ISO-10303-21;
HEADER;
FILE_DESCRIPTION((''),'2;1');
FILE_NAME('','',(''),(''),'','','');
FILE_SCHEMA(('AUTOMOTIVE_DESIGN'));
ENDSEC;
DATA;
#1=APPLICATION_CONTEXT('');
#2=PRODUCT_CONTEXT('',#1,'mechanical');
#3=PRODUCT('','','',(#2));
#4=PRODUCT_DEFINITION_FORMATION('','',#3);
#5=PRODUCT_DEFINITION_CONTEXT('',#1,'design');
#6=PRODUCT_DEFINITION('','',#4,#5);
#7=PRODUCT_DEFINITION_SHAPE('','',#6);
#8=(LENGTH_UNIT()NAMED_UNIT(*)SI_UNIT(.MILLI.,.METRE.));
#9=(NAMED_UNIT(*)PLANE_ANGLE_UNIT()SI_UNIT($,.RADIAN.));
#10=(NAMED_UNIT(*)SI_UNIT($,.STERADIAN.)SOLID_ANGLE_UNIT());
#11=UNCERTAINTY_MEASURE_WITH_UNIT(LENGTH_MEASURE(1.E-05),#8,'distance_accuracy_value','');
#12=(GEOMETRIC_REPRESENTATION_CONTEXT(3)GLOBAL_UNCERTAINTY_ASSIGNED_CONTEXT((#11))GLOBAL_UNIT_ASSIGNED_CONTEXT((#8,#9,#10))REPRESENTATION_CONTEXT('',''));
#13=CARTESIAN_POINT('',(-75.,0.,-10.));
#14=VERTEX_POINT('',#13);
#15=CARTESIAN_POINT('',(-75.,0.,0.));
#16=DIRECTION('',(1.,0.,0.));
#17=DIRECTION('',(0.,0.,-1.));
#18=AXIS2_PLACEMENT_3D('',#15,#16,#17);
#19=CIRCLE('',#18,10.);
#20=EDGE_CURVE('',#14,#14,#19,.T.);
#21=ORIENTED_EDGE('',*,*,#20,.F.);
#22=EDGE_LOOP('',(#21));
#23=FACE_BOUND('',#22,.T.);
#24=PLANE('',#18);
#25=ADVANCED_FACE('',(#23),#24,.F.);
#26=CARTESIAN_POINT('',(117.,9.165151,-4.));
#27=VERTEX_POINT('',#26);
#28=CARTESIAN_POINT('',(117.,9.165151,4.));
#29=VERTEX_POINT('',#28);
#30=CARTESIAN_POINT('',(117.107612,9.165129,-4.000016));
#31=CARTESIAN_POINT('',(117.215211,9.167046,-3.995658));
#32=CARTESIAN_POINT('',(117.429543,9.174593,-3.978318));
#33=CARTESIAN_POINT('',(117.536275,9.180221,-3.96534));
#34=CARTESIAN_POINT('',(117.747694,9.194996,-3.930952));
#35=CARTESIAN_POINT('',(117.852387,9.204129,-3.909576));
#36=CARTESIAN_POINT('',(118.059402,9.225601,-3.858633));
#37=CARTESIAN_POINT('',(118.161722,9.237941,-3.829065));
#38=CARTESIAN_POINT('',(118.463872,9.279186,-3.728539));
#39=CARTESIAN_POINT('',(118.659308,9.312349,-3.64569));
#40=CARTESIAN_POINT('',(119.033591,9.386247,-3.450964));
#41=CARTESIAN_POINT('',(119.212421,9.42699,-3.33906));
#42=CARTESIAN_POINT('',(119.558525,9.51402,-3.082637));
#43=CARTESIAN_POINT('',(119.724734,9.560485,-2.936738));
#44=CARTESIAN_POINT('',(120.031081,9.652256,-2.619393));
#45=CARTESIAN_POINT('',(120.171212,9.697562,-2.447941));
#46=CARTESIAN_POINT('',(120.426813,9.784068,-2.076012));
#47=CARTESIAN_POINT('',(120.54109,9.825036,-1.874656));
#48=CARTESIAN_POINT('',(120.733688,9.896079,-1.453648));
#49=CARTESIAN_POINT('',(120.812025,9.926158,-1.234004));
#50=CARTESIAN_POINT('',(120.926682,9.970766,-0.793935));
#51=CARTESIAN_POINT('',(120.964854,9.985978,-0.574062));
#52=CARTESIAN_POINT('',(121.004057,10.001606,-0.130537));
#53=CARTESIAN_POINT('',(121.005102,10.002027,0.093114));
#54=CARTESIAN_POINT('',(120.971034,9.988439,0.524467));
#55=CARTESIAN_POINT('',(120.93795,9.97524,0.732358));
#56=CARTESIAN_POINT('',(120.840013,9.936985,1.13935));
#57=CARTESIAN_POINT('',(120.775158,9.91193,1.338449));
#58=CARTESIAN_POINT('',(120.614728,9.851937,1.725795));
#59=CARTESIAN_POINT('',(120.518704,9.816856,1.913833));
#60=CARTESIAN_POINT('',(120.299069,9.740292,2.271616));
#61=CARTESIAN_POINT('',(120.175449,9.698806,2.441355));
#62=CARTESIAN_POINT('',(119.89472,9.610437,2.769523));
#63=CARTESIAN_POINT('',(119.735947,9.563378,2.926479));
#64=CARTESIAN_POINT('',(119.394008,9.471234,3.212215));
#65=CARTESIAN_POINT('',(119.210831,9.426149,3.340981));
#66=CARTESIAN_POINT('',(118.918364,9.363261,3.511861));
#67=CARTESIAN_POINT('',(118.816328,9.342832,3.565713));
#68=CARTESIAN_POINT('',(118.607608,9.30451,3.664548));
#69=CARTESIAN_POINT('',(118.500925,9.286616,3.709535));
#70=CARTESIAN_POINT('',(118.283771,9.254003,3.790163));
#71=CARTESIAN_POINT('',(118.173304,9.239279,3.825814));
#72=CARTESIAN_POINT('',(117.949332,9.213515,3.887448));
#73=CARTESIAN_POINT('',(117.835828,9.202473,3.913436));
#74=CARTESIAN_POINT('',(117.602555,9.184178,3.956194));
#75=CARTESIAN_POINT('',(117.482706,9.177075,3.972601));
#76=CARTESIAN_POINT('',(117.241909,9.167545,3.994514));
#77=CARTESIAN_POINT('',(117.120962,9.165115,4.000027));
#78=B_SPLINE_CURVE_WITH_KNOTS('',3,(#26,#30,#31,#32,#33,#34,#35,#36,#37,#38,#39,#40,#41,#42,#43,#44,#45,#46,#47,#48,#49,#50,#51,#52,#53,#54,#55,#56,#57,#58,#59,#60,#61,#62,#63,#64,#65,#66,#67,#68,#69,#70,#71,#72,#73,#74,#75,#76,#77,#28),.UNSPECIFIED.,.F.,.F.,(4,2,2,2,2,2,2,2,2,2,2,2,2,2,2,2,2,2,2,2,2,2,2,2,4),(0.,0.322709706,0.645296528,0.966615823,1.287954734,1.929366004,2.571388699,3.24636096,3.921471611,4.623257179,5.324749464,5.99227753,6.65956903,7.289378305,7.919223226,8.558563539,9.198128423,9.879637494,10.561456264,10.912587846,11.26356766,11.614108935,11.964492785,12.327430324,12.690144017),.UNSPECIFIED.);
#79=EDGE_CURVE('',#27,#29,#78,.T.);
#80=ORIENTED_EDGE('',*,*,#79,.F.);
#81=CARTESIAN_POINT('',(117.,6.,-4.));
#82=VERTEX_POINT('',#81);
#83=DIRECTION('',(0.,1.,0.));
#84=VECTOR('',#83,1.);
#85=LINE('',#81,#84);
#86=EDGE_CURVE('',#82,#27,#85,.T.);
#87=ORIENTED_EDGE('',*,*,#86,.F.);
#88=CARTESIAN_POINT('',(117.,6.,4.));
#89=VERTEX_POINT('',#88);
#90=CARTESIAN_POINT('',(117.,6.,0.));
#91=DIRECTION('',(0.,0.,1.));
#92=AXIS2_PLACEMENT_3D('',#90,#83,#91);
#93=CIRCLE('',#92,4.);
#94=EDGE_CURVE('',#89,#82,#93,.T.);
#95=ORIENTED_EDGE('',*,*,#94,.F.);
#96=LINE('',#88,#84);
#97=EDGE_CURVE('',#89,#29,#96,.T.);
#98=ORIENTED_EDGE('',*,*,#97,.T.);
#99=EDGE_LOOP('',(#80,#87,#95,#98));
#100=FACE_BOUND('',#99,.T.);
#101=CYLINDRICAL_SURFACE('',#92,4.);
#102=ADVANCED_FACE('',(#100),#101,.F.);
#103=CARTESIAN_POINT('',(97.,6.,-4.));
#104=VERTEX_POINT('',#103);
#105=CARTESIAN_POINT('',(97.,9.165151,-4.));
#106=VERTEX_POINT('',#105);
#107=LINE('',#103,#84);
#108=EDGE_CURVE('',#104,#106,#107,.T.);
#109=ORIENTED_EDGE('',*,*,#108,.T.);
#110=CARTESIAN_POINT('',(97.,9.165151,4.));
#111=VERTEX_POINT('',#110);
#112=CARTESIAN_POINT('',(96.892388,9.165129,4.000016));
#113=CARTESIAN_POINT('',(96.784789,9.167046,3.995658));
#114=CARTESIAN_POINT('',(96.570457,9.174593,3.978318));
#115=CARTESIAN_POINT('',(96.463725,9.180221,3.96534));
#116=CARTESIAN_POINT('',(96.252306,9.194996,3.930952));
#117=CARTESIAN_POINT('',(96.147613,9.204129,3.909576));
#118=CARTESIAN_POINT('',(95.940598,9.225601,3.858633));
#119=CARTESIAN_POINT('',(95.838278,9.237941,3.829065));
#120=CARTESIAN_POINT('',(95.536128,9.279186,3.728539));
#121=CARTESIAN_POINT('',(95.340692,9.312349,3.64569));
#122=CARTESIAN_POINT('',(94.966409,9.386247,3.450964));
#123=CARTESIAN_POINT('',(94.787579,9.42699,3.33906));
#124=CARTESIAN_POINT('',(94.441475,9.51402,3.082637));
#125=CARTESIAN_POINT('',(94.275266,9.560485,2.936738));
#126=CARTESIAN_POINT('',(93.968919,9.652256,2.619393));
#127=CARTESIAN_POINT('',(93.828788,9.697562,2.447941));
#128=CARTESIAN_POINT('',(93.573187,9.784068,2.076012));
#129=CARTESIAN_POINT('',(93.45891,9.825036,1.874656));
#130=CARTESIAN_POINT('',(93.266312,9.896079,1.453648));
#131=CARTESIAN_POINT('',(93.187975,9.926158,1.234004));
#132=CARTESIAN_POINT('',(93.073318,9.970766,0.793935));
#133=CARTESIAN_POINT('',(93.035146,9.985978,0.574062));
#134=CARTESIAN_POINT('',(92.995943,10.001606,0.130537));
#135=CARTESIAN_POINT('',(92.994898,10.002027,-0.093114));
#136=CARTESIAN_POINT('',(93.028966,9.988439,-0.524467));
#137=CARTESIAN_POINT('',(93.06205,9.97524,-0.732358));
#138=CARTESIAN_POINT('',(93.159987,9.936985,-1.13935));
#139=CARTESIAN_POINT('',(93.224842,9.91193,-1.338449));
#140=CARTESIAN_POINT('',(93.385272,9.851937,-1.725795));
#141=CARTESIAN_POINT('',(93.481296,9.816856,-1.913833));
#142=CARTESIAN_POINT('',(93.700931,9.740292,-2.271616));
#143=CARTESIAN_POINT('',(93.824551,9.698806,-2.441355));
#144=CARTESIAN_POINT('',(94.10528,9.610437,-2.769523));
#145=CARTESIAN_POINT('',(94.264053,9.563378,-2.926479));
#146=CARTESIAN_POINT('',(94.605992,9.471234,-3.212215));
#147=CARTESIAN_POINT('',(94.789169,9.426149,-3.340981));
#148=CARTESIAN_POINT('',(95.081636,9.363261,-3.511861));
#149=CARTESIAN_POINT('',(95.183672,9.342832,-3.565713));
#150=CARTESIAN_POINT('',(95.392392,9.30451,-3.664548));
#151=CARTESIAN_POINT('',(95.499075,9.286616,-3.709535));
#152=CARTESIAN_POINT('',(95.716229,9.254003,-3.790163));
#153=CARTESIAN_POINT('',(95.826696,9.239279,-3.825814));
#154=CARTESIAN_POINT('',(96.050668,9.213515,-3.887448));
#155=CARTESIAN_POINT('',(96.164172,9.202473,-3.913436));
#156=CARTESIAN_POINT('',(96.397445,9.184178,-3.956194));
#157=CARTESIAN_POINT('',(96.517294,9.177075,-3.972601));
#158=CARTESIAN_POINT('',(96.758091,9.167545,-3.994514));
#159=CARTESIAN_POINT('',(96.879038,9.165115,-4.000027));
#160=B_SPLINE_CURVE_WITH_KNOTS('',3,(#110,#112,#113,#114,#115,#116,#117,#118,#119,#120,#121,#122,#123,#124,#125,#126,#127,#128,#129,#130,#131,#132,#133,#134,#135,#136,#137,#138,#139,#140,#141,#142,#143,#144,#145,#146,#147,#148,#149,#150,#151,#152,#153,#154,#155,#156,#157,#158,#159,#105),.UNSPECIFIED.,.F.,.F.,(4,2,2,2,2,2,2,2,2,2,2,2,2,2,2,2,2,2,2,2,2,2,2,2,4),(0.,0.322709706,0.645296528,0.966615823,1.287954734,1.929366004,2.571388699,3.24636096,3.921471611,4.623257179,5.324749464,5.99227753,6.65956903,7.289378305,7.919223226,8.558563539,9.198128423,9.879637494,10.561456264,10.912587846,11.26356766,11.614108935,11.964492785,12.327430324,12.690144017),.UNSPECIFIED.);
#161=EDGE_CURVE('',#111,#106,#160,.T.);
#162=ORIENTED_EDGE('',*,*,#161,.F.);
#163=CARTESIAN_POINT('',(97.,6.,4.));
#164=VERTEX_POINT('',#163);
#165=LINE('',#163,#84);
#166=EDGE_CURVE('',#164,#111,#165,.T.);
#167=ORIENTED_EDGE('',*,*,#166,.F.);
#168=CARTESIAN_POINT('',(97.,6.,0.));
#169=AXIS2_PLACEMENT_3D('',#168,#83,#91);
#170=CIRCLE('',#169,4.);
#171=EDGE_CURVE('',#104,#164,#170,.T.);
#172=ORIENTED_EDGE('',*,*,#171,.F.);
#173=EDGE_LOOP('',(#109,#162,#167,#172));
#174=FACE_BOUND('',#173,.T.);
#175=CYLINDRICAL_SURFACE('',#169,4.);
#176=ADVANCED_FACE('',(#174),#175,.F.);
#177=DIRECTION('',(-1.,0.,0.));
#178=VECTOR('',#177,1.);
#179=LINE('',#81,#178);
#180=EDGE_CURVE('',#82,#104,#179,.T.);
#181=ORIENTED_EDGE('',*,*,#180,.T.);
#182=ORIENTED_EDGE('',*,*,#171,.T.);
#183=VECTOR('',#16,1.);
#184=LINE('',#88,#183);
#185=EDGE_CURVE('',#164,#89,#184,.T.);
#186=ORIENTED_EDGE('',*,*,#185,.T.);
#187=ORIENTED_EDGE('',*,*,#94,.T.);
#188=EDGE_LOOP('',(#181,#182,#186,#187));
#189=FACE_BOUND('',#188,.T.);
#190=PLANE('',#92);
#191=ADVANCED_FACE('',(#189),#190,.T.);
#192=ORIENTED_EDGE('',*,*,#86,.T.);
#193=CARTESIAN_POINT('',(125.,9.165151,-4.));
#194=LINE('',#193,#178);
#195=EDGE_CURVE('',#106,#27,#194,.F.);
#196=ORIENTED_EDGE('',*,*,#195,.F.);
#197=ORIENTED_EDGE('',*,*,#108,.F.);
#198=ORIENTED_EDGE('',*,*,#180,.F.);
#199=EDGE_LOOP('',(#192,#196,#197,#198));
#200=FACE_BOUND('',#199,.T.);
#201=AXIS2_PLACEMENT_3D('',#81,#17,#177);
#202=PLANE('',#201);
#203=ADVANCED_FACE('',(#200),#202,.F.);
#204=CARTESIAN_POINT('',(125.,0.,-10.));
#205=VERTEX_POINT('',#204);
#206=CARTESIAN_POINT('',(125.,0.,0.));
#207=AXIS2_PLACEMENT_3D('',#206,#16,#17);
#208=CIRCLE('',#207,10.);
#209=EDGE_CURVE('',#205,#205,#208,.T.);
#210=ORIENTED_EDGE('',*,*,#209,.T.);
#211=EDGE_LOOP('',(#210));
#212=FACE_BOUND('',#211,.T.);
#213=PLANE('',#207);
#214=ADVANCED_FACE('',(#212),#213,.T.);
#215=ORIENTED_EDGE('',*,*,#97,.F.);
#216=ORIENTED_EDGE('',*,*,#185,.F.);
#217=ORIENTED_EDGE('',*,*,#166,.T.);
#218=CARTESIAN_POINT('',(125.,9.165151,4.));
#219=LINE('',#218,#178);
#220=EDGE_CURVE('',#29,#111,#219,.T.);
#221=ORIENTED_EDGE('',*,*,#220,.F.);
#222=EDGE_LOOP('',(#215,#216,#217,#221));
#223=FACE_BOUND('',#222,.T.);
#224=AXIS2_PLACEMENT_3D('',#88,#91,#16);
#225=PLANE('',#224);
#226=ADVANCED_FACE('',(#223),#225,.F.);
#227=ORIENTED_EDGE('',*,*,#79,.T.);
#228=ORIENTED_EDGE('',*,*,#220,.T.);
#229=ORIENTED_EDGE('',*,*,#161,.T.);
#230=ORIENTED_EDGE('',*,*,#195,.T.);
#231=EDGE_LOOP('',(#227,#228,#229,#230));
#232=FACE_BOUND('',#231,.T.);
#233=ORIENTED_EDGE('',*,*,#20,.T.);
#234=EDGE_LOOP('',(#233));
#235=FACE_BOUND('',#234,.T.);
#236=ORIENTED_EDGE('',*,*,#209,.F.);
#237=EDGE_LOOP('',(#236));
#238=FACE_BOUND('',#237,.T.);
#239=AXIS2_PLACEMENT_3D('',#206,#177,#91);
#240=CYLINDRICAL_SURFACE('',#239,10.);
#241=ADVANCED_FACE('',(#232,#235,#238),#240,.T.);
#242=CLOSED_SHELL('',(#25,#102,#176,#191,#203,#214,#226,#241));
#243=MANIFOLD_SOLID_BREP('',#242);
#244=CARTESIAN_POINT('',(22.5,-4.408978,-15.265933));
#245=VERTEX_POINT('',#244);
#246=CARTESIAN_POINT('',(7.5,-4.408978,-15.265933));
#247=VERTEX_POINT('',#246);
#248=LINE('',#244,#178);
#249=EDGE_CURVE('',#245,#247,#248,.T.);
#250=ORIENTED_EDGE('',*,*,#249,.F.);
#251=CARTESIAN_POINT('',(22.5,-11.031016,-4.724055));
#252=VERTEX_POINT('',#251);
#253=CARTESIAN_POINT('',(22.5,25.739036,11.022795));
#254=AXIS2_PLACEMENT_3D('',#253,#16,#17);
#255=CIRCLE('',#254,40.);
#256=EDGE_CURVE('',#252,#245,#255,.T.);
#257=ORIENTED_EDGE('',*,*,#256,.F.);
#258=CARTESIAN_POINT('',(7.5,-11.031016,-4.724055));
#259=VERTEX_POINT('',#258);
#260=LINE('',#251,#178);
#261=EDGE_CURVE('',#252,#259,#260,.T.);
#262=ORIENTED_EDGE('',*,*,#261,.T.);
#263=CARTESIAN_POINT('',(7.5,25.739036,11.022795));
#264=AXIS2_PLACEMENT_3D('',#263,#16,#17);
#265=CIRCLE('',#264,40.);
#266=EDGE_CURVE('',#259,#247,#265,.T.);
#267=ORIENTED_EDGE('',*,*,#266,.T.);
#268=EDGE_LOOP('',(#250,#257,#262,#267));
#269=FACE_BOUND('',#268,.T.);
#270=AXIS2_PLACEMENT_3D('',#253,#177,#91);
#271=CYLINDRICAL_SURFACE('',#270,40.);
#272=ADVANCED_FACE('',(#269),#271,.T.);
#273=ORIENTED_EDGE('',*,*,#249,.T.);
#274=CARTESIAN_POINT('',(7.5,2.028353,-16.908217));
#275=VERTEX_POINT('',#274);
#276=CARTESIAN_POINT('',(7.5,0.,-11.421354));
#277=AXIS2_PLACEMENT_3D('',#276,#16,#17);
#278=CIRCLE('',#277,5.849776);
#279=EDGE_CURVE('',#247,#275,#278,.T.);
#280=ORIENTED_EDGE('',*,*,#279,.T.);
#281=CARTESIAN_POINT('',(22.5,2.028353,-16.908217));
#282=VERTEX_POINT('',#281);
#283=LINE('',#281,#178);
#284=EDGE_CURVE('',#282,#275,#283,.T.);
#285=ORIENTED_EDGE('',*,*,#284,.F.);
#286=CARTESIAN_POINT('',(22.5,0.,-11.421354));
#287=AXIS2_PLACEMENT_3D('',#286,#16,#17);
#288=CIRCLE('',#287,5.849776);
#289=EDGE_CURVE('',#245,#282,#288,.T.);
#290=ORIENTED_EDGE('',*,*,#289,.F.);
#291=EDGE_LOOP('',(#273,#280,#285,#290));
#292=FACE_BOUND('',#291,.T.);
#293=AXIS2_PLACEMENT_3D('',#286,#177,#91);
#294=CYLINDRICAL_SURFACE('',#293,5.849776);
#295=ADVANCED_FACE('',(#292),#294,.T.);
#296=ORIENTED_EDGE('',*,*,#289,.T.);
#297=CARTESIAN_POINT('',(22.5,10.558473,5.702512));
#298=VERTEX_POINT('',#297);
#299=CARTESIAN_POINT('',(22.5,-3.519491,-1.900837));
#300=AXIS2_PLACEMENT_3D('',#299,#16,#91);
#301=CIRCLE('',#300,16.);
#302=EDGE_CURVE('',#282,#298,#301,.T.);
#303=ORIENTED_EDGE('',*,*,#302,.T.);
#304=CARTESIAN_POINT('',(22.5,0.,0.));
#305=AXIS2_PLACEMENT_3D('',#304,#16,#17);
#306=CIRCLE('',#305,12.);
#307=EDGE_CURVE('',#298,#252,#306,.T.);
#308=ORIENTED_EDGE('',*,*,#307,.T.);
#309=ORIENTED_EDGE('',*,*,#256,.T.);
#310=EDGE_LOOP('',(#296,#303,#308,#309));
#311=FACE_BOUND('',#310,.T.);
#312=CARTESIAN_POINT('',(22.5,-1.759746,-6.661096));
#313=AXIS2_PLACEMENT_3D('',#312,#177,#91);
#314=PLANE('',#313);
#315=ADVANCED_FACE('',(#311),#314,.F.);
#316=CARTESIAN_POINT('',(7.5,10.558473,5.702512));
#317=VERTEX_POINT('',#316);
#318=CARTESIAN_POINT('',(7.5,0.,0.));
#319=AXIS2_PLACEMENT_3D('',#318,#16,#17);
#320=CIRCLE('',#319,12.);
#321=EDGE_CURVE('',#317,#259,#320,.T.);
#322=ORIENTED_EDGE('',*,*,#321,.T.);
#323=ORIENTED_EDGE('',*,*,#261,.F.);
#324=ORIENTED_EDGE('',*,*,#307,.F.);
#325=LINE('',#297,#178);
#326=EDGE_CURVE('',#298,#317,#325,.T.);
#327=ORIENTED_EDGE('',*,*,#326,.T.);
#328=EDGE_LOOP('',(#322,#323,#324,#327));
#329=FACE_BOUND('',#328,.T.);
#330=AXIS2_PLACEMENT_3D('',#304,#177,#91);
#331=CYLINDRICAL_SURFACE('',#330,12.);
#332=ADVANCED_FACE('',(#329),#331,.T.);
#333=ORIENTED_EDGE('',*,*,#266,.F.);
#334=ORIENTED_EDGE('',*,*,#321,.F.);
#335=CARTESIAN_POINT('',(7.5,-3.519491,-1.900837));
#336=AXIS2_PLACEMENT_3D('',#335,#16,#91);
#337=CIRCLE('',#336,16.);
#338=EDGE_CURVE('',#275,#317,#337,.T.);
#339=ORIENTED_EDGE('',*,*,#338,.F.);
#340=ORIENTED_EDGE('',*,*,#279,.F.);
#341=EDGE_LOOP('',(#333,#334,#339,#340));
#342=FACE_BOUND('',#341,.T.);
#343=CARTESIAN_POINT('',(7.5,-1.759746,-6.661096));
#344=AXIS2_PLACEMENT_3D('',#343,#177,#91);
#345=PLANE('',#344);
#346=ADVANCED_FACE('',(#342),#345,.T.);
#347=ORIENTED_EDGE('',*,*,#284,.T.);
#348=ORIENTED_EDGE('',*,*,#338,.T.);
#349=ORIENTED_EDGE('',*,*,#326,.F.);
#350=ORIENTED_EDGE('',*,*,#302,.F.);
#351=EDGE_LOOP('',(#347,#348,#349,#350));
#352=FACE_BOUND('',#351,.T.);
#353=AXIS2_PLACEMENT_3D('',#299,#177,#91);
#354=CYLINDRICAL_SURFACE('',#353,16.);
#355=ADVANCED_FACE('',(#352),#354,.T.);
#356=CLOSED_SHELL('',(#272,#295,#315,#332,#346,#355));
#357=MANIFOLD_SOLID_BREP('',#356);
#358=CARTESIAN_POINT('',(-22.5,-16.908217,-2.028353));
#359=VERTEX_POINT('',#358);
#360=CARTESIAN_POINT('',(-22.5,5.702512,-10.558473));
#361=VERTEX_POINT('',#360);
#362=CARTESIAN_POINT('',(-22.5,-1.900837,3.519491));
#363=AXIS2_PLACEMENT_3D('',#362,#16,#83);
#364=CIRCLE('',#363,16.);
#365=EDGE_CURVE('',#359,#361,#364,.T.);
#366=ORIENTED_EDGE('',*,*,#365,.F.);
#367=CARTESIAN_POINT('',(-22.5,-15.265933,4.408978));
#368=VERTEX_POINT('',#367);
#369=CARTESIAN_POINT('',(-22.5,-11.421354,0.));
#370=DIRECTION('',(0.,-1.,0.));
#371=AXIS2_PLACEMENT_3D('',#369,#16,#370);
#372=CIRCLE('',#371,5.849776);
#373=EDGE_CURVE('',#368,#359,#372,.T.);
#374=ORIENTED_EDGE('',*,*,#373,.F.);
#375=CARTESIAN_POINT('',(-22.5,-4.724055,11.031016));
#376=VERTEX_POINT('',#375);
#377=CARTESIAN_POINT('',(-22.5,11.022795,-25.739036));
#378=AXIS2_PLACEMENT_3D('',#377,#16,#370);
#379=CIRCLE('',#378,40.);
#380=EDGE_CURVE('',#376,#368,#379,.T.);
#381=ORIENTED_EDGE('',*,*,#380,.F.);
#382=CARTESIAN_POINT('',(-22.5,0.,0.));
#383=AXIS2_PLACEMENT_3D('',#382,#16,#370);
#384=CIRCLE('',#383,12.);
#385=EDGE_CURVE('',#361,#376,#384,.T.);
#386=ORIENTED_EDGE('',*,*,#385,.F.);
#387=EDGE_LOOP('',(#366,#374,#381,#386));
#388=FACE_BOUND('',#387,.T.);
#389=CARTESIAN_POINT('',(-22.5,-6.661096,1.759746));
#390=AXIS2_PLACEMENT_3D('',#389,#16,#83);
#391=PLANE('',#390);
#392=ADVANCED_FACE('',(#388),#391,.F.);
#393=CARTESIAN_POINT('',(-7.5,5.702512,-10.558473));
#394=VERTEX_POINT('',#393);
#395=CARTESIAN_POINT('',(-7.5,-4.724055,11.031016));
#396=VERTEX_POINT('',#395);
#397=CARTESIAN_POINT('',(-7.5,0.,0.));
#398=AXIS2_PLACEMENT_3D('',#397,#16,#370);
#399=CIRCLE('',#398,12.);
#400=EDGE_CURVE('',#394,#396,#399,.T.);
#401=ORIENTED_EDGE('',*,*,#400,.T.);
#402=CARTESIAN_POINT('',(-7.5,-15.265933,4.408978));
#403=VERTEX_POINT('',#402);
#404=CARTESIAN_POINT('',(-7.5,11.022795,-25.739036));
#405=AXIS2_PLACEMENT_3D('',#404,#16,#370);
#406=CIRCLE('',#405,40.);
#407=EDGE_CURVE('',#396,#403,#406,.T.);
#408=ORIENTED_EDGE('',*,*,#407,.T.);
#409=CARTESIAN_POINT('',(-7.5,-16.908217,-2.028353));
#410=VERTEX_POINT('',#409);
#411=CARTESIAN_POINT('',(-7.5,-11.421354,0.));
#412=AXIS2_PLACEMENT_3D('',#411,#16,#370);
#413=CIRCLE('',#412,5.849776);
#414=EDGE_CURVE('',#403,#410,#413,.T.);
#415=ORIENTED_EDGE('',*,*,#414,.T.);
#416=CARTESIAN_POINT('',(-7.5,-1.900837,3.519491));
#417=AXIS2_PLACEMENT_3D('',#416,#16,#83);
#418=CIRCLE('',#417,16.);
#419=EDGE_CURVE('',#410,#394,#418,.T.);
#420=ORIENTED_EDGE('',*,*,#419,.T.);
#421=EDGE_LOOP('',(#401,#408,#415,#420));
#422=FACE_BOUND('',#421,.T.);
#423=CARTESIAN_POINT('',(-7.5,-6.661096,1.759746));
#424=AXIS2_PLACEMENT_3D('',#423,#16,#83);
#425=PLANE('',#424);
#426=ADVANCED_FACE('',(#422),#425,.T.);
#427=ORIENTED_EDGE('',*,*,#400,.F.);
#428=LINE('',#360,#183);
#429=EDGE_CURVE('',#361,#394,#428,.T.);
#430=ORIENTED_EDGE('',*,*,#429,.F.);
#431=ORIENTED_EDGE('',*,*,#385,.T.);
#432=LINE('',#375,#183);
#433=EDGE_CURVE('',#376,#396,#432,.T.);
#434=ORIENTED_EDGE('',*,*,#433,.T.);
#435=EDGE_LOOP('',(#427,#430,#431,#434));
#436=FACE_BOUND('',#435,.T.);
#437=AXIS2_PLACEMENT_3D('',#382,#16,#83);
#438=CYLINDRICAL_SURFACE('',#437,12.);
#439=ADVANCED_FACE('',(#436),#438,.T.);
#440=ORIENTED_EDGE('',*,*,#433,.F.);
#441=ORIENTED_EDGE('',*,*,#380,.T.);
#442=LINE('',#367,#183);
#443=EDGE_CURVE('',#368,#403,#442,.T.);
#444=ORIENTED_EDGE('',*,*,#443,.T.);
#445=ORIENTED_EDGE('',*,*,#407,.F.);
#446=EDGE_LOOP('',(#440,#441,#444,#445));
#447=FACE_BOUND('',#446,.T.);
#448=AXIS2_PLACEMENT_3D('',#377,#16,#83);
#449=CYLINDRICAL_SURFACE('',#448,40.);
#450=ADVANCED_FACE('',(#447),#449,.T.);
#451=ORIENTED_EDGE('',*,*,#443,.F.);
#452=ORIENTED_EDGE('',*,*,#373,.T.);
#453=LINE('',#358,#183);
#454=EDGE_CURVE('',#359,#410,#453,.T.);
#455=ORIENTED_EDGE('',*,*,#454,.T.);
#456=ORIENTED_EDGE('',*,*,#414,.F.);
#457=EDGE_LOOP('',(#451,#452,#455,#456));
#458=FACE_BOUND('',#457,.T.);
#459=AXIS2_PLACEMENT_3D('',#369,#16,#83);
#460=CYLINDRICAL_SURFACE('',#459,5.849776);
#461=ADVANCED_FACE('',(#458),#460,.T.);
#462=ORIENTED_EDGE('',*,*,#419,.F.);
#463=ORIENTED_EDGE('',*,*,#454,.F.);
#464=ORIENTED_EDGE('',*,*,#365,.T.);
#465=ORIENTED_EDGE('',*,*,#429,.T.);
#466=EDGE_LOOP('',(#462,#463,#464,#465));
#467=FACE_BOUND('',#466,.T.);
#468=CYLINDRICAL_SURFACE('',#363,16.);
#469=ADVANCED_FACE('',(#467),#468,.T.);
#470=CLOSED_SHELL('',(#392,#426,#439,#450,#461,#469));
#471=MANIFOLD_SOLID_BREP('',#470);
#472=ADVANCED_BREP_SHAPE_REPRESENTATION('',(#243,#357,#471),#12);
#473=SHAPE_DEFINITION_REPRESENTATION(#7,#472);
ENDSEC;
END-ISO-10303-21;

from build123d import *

# Parameters (mm, degrees)
BOSS_EXTRUDE1_DEPTH      = 125
BOSS_EXTRUDE1_DEPTH_BACK = 75
SKETCH1_R                = 10
BOSS_EXTRUDE2_START      = 15
BOSS_EXTRUDE2_DEPTH      = 7.5
BODY_MOVE_COPY1_ANGLE    = 90
CUT_EXTRUDE1_DEPTH       = 4


with BuildPart() as part:
    # Sketch1 → Boss-Extrude1 (new, two sides: drawn at the far end of the back side and taken through both)
    with BuildSketch(Plane(origin=(0, 0, 0), x_dir=(0, 0, -1), z_dir=(1, 0, 0)).offset(-BOSS_EXTRUDE1_DEPTH_BACK)):
        Circle(SKETCH1_R)
    extrude(amount=BOSS_EXTRUDE1_DEPTH + BOSS_EXTRUDE1_DEPTH_BACK)

    # Sketch3 → Cut-Extrude1 (cut)
    with BuildSketch(Plane(origin=(0, 10, 0), x_dir=(1, 0, 0), z_dir=(0, 1, 0))):
        with BuildLine():
            Line((117, -4), (97, -4))
            ThreePointArc((97, -4), (93, 0), (97, 4))
            Line((97, 4), (117, 4))
            ThreePointArc((117, 4), (121, 0), (117, -4))
        make_face()
    extrude(amount=-CUT_EXTRUDE1_DEPTH, mode=Mode.SUBTRACT)


with BuildPart() as body_2:
    # Sketch2 → Boss-Extrude2 (new, symmetric)
    with BuildSketch(Plane(origin=(0, 0, 0), x_dir=(0, 0, -1), z_dir=(1, 0, 0)).offset(BOSS_EXTRUDE2_START)):
        with BuildLine():
            ThreePointArc((-5.702512036, 10.558473208), (-10.805824842, -5.218634829), (4.724055073, -11.031015532))
            ThreePointArc((4.724055073, -11.031015532), (10.25419488, -8.132628826), (15.265932902, -4.408978227))
            ThreePointArc((15.265932902, -4.408978227), (17.089577392, -1.44606998), (16.908216525, 2.028352669))
            ThreePointArc((16.908216525, 2.028352669), (7.548461042, 11.450624047), (-5.702512036, 10.558473208))
        make_face()
    extrude(amount=BOSS_EXTRUDE2_DEPTH, both=True)


with BuildPart() as body_3:
    # Mirror1: mirrored copy
    add(body_2.part.mirror(Plane(origin=(0, 0, 0), x_dir=(0, 0, 1), z_dir=(1, 0, 0))))


with BuildPart() as body_3_1:
    # Body-Move/Copy1: moved
    add(body_3.part.rotate(Axis((0, 0, 0), (-1, 0, 0)), BODY_MOVE_COPY1_ANGLE))


solid = Compound([part.part, body_2.part, body_3_1.part])
